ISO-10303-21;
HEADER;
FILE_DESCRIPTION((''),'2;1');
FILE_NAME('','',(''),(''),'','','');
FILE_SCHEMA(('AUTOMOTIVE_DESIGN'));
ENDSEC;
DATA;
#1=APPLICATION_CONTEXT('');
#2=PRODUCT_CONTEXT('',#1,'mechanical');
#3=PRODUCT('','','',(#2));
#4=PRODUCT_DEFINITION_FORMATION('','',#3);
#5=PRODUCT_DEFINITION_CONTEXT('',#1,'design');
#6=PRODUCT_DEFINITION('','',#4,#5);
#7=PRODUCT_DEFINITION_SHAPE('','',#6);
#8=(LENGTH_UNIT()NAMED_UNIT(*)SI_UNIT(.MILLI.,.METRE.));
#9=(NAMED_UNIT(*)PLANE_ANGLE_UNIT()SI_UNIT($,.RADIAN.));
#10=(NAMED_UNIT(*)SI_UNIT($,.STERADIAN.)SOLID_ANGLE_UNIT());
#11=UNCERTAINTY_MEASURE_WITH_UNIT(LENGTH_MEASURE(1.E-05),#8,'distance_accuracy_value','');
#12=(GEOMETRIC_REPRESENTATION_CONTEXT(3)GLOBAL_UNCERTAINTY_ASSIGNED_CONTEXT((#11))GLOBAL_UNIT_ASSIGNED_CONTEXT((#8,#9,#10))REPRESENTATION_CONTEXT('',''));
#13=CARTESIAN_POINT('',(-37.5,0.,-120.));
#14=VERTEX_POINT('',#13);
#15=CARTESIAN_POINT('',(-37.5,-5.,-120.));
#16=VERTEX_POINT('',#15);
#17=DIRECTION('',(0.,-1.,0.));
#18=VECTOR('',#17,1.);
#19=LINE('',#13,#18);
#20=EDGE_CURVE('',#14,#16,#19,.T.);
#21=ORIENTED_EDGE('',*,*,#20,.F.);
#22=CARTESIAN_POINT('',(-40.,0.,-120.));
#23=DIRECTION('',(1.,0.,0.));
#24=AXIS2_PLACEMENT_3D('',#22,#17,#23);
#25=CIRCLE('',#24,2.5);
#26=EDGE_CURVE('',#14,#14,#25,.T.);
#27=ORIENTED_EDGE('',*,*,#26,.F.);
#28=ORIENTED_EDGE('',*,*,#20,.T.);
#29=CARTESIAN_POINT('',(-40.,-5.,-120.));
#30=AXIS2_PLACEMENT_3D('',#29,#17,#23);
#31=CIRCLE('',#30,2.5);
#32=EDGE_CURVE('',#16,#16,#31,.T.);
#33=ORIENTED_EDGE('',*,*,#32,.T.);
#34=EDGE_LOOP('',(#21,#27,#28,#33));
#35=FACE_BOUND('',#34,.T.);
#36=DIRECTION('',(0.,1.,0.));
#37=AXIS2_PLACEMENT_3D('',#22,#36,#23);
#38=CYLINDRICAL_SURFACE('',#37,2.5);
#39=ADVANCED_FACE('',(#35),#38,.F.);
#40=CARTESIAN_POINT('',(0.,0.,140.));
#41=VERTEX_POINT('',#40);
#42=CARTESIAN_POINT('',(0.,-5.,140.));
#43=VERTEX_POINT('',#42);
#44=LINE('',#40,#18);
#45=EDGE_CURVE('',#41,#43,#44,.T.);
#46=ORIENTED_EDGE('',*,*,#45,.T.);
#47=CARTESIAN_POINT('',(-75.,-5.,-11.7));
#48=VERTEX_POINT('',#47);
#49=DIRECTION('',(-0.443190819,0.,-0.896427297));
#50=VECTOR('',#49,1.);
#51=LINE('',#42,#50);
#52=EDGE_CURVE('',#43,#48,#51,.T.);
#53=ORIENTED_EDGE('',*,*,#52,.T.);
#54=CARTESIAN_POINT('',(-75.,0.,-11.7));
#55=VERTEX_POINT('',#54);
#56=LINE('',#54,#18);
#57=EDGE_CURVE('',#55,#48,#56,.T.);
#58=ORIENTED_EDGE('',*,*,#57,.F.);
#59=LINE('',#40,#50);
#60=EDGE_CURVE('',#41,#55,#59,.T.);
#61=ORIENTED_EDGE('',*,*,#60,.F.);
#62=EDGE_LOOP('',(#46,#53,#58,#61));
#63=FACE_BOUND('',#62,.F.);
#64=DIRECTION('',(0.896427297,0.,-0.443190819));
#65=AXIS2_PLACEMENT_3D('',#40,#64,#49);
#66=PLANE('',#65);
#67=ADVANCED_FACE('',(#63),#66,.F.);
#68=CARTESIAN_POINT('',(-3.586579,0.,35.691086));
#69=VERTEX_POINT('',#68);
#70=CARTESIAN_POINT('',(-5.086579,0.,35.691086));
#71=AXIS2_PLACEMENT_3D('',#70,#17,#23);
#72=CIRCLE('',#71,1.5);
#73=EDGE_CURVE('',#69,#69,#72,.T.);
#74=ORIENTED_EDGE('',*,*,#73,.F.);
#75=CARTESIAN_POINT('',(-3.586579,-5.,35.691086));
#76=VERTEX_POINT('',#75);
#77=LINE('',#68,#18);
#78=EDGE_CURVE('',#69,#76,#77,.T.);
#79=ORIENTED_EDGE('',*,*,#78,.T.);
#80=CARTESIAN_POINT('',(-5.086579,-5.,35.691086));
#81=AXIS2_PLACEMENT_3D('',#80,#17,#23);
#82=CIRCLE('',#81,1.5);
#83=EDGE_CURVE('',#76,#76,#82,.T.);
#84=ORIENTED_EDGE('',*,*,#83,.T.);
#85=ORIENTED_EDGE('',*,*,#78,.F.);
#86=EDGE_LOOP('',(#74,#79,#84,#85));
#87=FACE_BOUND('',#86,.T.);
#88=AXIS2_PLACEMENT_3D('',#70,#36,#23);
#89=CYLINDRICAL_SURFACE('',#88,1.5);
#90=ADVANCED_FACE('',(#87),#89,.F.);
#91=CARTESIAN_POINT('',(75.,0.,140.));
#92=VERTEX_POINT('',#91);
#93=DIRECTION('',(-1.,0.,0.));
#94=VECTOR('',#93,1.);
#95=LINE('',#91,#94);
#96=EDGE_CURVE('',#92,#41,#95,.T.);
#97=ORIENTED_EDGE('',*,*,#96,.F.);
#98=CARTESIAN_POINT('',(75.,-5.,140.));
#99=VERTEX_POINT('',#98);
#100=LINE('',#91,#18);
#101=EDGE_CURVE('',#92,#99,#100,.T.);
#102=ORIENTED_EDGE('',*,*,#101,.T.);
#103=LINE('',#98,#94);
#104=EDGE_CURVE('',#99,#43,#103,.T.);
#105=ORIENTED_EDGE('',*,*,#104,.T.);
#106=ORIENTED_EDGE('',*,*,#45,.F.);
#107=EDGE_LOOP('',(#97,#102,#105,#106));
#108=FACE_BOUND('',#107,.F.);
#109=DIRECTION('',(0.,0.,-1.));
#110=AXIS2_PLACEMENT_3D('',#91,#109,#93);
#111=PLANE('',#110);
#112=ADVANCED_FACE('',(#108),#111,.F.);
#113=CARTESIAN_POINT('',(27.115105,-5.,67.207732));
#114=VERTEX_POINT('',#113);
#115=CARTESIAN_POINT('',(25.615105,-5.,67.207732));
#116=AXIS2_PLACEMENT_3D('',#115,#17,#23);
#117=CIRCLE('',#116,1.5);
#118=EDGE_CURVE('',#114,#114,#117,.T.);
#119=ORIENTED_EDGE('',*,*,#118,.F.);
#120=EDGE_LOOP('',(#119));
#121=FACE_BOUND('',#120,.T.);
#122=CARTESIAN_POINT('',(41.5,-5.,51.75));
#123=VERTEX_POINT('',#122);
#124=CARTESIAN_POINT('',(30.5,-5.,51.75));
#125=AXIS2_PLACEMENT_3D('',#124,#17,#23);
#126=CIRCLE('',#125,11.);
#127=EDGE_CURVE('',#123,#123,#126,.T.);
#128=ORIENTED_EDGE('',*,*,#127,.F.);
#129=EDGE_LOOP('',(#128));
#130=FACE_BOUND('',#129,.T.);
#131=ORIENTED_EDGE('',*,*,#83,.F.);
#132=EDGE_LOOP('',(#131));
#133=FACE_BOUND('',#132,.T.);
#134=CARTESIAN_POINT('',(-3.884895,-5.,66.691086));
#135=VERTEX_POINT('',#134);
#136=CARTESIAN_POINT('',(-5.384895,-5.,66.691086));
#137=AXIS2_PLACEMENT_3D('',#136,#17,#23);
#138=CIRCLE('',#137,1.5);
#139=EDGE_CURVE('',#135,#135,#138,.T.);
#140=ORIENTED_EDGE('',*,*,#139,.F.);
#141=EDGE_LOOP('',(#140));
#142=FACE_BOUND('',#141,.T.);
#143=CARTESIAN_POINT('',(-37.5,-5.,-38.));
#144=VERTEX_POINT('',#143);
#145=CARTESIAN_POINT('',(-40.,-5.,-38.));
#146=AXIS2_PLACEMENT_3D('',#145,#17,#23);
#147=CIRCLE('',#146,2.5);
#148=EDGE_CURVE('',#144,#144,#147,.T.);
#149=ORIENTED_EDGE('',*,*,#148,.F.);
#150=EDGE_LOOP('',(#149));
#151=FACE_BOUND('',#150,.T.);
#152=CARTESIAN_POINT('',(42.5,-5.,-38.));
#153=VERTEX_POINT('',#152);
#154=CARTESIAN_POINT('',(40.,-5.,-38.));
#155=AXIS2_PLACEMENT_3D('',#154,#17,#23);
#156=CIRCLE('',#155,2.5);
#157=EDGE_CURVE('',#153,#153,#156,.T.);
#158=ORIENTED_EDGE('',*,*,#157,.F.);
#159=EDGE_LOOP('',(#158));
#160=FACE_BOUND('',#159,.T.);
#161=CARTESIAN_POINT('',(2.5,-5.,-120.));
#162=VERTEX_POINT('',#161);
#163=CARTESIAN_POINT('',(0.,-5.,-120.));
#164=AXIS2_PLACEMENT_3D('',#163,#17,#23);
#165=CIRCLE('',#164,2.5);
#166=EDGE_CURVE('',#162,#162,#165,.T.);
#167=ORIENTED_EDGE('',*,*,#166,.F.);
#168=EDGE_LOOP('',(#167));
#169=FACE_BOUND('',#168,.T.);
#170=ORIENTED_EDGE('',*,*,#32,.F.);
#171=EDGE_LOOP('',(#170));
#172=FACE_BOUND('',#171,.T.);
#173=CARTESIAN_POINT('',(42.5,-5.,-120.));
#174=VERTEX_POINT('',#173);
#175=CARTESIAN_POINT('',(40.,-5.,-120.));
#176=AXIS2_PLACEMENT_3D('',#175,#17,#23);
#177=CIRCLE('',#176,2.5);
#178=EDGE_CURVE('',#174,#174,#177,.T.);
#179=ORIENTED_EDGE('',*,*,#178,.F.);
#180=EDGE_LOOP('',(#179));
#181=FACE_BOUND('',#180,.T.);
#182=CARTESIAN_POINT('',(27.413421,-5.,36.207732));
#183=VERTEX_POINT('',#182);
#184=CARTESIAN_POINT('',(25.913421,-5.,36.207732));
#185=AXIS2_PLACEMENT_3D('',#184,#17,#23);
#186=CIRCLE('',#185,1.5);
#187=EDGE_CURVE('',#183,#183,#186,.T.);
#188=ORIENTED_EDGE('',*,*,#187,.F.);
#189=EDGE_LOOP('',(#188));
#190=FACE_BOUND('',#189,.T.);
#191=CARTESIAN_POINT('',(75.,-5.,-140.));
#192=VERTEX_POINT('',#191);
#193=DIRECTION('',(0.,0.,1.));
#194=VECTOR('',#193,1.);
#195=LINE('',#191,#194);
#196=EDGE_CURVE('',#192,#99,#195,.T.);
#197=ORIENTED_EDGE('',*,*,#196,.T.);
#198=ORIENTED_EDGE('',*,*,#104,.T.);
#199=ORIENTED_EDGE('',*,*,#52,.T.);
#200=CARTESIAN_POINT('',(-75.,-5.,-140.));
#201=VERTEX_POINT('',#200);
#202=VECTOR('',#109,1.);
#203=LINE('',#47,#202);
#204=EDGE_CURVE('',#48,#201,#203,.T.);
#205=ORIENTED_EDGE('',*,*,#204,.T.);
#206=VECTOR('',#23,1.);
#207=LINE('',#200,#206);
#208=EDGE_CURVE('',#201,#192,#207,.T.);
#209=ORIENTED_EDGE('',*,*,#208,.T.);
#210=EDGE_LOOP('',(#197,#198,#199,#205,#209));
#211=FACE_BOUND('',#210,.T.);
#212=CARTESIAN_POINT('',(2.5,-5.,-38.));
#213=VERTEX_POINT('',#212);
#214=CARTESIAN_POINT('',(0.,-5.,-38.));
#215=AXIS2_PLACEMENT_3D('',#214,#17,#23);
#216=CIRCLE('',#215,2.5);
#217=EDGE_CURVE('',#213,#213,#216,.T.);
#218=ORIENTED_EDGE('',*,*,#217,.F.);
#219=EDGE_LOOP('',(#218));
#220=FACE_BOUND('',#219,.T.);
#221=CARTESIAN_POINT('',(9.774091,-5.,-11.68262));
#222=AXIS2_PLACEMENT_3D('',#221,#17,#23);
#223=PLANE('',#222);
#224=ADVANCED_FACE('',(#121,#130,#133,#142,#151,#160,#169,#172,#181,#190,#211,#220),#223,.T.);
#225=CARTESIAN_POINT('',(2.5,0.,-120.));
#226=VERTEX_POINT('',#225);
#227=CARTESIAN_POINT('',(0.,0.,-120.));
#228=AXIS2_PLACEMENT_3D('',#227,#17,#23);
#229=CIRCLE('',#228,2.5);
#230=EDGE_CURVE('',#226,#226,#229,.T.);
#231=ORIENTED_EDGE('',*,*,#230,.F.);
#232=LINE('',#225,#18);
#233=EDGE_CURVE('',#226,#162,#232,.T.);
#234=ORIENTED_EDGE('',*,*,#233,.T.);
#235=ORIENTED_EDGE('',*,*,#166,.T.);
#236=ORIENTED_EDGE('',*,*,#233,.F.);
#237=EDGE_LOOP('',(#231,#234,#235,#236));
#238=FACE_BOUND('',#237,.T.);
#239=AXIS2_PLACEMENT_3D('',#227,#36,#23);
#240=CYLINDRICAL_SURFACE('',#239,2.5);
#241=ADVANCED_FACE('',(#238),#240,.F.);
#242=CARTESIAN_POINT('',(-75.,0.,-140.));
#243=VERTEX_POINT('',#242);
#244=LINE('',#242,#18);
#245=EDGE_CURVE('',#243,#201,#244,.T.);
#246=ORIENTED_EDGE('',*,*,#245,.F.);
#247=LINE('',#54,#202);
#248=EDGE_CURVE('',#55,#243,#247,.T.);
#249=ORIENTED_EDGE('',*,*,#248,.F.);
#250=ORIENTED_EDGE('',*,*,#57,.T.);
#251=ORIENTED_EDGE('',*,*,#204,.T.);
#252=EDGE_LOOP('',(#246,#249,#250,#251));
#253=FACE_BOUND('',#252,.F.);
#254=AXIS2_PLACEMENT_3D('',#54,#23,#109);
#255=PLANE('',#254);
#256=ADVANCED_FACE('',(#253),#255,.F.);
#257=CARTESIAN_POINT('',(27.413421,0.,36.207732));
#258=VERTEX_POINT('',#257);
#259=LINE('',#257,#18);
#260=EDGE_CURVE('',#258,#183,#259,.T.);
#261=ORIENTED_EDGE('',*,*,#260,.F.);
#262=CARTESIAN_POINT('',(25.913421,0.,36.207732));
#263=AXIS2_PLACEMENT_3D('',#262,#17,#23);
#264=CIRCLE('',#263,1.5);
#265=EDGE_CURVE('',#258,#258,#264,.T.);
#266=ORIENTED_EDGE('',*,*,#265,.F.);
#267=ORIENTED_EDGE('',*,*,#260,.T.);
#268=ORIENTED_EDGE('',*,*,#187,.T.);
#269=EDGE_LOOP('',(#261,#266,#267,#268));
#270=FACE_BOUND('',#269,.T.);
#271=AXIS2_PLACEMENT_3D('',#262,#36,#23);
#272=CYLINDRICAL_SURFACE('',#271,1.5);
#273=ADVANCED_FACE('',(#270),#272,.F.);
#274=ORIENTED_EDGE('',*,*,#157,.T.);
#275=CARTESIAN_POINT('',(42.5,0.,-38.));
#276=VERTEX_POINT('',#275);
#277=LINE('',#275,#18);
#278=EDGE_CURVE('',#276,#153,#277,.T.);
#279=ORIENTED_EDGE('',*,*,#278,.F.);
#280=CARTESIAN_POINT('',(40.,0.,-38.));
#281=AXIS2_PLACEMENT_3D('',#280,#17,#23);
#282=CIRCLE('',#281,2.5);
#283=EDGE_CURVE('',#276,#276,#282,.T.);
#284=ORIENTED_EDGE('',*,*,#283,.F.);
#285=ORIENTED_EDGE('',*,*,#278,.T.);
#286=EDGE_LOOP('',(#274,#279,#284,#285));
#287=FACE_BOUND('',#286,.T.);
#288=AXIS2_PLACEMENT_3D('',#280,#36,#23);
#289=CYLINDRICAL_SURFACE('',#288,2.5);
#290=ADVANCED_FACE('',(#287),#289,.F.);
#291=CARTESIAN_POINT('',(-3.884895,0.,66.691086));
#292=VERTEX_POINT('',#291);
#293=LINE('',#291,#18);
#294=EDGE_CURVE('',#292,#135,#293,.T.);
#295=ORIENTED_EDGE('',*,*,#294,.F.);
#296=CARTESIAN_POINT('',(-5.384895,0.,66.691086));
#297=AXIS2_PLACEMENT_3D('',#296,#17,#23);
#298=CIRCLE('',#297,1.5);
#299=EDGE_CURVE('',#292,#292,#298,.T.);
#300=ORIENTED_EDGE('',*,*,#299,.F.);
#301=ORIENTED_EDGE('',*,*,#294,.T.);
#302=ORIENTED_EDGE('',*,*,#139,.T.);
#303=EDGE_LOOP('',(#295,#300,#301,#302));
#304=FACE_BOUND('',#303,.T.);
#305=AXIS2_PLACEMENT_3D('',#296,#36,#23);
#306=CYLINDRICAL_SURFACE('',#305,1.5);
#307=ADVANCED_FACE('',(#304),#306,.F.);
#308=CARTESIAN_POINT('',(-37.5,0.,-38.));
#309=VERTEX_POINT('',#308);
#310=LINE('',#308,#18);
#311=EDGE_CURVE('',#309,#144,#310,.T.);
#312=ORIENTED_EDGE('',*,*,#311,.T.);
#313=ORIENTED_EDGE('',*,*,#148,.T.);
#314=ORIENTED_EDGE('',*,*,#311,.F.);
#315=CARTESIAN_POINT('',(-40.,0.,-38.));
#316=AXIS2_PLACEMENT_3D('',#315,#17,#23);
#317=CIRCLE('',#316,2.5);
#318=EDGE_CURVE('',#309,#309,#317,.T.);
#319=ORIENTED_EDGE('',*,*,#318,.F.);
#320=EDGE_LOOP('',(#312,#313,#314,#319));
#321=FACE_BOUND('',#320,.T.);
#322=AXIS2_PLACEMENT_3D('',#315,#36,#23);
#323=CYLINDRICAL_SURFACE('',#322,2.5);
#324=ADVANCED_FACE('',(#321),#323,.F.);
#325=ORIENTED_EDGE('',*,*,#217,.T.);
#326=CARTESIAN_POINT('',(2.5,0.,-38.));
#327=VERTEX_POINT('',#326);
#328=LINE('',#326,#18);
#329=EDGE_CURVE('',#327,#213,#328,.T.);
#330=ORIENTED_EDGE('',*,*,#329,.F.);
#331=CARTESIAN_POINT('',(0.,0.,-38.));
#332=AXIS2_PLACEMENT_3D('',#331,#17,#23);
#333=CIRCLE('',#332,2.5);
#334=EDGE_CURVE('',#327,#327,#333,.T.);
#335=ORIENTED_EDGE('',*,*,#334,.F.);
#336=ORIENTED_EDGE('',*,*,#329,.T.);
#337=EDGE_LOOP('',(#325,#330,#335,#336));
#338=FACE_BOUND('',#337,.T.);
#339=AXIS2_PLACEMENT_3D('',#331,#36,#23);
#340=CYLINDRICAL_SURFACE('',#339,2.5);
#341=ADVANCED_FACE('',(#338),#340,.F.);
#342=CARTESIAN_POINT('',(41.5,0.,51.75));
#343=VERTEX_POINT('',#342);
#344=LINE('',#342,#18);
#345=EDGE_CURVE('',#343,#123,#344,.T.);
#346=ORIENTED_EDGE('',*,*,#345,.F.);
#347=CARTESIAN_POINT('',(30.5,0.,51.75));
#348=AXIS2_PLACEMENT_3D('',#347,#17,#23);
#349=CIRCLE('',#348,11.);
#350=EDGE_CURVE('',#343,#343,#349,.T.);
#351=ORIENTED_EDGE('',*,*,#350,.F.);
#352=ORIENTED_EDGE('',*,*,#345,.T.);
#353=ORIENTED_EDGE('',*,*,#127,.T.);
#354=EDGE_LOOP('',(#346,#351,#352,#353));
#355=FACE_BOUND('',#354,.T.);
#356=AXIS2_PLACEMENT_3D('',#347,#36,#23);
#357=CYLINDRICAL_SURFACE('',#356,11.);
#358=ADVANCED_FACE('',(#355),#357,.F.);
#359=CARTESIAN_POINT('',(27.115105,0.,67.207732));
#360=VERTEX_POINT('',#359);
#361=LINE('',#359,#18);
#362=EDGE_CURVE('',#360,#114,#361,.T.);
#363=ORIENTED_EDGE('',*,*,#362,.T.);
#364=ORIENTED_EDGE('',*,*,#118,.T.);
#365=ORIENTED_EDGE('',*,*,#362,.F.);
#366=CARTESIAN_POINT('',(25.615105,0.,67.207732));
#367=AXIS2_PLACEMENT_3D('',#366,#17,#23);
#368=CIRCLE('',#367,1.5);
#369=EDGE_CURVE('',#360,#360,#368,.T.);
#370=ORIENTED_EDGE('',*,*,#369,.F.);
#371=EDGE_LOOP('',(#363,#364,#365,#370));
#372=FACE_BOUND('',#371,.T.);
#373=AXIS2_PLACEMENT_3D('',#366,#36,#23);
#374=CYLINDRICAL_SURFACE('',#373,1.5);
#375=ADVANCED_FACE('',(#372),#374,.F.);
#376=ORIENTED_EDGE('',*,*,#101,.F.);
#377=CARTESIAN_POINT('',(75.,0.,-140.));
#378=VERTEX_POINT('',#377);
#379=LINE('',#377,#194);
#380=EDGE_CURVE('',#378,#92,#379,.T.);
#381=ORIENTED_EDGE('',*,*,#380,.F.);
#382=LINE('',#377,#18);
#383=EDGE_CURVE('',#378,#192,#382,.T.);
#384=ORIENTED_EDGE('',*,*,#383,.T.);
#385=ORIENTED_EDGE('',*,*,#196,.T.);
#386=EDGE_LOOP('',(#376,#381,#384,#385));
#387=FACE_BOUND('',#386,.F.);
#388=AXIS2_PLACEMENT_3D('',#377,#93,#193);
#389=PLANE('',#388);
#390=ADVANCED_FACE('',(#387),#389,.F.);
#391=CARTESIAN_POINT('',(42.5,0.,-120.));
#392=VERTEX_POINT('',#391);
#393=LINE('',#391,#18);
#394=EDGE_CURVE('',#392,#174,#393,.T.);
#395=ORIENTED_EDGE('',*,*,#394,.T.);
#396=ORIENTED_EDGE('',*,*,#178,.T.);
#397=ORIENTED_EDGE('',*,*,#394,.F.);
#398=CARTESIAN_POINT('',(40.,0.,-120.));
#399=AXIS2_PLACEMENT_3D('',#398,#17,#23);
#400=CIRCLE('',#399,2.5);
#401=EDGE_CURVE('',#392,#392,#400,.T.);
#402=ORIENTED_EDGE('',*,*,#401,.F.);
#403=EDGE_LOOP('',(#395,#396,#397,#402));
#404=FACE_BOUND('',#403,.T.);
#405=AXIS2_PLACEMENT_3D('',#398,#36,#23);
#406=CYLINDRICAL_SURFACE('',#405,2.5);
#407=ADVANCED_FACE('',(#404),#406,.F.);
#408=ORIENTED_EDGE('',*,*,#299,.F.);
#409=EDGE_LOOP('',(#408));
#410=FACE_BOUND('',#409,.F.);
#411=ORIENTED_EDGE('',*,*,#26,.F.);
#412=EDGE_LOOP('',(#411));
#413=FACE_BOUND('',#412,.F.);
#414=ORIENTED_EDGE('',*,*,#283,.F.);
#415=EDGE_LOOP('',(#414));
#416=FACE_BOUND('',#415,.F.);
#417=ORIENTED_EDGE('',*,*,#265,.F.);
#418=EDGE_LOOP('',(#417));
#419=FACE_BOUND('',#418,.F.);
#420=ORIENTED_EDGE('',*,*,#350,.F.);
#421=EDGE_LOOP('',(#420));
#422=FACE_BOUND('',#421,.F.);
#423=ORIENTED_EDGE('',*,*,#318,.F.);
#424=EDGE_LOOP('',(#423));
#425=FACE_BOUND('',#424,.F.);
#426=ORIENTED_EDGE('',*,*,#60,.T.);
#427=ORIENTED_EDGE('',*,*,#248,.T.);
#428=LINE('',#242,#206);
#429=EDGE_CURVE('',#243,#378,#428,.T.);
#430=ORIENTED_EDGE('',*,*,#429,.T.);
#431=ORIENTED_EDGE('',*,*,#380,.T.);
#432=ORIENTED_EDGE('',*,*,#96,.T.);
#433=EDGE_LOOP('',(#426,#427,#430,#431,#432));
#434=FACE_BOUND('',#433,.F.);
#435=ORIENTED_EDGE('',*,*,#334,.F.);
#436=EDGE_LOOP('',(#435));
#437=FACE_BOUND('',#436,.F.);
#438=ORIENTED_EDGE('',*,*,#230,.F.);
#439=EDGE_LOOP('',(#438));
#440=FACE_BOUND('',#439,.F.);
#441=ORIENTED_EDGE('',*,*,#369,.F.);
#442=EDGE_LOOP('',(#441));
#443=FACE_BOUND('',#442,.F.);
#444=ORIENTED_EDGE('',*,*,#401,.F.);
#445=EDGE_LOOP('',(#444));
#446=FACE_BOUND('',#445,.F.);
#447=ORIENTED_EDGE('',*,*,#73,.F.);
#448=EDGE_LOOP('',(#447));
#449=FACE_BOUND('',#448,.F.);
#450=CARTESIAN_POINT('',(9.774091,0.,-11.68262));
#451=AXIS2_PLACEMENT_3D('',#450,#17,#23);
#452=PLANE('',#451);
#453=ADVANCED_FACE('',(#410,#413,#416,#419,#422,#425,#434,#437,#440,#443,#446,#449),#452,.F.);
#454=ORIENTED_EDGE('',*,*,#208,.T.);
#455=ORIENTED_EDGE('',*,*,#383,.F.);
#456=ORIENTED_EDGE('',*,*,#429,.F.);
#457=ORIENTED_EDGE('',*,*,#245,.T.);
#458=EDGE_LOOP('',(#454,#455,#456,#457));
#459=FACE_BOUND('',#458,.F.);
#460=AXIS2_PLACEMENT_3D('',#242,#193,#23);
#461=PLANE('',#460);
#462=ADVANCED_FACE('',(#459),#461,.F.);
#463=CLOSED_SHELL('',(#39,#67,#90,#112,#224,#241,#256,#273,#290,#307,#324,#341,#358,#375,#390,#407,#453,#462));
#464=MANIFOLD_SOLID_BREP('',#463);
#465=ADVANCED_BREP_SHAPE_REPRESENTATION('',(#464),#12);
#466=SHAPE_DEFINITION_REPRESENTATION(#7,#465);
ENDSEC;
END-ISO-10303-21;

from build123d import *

# Parameters (mm, degrees)
F0_R     = 2.5
F0_R_2   = 1.5
F0_R_3   = 11
F1_DEPTH = 5


with BuildPart() as f1:
    # F0 (on Front) → F1 (new body)
    with BuildSketch(Plane.XZ):
        Polygon((-75, -140), (75, -140), (75, 140), (0, 140), (-75, -11.7), align=None)
        with Locations((-40, -120)):
            Circle(F0_R, mode=Mode.SUBTRACT)
        with Locations((-40, -38)):
            Circle(F0_R, mode=Mode.SUBTRACT)
        with Locations((0, -120)):
            Circle(F0_R, mode=Mode.SUBTRACT)
        with Locations((40, -120)):
            Circle(F0_R, mode=Mode.SUBTRACT)
        with Locations((0, -38)):
            Circle(F0_R, mode=Mode.SUBTRACT)
        with Locations((40, -38)):
            Circle(F0_R, mode=Mode.SUBTRACT)
        with Locations((-5.086579, 35.691086)):
            Circle(F0_R_2, mode=Mode.SUBTRACT)
        with Locations((-5.384895, 66.691086)):
            Circle(F0_R_2, mode=Mode.SUBTRACT)
        with Locations((25.913421, 36.207732)):
            Circle(F0_R_2, mode=Mode.SUBTRACT)
        with Locations((30.5, 51.75)):
            Circle(F0_R_3, mode=Mode.SUBTRACT)
        with Locations((25.615105, 67.207732)):
            Circle(F0_R_2, mode=Mode.SUBTRACT)
    extrude(amount=F1_DEPTH)


solid = f1.part
